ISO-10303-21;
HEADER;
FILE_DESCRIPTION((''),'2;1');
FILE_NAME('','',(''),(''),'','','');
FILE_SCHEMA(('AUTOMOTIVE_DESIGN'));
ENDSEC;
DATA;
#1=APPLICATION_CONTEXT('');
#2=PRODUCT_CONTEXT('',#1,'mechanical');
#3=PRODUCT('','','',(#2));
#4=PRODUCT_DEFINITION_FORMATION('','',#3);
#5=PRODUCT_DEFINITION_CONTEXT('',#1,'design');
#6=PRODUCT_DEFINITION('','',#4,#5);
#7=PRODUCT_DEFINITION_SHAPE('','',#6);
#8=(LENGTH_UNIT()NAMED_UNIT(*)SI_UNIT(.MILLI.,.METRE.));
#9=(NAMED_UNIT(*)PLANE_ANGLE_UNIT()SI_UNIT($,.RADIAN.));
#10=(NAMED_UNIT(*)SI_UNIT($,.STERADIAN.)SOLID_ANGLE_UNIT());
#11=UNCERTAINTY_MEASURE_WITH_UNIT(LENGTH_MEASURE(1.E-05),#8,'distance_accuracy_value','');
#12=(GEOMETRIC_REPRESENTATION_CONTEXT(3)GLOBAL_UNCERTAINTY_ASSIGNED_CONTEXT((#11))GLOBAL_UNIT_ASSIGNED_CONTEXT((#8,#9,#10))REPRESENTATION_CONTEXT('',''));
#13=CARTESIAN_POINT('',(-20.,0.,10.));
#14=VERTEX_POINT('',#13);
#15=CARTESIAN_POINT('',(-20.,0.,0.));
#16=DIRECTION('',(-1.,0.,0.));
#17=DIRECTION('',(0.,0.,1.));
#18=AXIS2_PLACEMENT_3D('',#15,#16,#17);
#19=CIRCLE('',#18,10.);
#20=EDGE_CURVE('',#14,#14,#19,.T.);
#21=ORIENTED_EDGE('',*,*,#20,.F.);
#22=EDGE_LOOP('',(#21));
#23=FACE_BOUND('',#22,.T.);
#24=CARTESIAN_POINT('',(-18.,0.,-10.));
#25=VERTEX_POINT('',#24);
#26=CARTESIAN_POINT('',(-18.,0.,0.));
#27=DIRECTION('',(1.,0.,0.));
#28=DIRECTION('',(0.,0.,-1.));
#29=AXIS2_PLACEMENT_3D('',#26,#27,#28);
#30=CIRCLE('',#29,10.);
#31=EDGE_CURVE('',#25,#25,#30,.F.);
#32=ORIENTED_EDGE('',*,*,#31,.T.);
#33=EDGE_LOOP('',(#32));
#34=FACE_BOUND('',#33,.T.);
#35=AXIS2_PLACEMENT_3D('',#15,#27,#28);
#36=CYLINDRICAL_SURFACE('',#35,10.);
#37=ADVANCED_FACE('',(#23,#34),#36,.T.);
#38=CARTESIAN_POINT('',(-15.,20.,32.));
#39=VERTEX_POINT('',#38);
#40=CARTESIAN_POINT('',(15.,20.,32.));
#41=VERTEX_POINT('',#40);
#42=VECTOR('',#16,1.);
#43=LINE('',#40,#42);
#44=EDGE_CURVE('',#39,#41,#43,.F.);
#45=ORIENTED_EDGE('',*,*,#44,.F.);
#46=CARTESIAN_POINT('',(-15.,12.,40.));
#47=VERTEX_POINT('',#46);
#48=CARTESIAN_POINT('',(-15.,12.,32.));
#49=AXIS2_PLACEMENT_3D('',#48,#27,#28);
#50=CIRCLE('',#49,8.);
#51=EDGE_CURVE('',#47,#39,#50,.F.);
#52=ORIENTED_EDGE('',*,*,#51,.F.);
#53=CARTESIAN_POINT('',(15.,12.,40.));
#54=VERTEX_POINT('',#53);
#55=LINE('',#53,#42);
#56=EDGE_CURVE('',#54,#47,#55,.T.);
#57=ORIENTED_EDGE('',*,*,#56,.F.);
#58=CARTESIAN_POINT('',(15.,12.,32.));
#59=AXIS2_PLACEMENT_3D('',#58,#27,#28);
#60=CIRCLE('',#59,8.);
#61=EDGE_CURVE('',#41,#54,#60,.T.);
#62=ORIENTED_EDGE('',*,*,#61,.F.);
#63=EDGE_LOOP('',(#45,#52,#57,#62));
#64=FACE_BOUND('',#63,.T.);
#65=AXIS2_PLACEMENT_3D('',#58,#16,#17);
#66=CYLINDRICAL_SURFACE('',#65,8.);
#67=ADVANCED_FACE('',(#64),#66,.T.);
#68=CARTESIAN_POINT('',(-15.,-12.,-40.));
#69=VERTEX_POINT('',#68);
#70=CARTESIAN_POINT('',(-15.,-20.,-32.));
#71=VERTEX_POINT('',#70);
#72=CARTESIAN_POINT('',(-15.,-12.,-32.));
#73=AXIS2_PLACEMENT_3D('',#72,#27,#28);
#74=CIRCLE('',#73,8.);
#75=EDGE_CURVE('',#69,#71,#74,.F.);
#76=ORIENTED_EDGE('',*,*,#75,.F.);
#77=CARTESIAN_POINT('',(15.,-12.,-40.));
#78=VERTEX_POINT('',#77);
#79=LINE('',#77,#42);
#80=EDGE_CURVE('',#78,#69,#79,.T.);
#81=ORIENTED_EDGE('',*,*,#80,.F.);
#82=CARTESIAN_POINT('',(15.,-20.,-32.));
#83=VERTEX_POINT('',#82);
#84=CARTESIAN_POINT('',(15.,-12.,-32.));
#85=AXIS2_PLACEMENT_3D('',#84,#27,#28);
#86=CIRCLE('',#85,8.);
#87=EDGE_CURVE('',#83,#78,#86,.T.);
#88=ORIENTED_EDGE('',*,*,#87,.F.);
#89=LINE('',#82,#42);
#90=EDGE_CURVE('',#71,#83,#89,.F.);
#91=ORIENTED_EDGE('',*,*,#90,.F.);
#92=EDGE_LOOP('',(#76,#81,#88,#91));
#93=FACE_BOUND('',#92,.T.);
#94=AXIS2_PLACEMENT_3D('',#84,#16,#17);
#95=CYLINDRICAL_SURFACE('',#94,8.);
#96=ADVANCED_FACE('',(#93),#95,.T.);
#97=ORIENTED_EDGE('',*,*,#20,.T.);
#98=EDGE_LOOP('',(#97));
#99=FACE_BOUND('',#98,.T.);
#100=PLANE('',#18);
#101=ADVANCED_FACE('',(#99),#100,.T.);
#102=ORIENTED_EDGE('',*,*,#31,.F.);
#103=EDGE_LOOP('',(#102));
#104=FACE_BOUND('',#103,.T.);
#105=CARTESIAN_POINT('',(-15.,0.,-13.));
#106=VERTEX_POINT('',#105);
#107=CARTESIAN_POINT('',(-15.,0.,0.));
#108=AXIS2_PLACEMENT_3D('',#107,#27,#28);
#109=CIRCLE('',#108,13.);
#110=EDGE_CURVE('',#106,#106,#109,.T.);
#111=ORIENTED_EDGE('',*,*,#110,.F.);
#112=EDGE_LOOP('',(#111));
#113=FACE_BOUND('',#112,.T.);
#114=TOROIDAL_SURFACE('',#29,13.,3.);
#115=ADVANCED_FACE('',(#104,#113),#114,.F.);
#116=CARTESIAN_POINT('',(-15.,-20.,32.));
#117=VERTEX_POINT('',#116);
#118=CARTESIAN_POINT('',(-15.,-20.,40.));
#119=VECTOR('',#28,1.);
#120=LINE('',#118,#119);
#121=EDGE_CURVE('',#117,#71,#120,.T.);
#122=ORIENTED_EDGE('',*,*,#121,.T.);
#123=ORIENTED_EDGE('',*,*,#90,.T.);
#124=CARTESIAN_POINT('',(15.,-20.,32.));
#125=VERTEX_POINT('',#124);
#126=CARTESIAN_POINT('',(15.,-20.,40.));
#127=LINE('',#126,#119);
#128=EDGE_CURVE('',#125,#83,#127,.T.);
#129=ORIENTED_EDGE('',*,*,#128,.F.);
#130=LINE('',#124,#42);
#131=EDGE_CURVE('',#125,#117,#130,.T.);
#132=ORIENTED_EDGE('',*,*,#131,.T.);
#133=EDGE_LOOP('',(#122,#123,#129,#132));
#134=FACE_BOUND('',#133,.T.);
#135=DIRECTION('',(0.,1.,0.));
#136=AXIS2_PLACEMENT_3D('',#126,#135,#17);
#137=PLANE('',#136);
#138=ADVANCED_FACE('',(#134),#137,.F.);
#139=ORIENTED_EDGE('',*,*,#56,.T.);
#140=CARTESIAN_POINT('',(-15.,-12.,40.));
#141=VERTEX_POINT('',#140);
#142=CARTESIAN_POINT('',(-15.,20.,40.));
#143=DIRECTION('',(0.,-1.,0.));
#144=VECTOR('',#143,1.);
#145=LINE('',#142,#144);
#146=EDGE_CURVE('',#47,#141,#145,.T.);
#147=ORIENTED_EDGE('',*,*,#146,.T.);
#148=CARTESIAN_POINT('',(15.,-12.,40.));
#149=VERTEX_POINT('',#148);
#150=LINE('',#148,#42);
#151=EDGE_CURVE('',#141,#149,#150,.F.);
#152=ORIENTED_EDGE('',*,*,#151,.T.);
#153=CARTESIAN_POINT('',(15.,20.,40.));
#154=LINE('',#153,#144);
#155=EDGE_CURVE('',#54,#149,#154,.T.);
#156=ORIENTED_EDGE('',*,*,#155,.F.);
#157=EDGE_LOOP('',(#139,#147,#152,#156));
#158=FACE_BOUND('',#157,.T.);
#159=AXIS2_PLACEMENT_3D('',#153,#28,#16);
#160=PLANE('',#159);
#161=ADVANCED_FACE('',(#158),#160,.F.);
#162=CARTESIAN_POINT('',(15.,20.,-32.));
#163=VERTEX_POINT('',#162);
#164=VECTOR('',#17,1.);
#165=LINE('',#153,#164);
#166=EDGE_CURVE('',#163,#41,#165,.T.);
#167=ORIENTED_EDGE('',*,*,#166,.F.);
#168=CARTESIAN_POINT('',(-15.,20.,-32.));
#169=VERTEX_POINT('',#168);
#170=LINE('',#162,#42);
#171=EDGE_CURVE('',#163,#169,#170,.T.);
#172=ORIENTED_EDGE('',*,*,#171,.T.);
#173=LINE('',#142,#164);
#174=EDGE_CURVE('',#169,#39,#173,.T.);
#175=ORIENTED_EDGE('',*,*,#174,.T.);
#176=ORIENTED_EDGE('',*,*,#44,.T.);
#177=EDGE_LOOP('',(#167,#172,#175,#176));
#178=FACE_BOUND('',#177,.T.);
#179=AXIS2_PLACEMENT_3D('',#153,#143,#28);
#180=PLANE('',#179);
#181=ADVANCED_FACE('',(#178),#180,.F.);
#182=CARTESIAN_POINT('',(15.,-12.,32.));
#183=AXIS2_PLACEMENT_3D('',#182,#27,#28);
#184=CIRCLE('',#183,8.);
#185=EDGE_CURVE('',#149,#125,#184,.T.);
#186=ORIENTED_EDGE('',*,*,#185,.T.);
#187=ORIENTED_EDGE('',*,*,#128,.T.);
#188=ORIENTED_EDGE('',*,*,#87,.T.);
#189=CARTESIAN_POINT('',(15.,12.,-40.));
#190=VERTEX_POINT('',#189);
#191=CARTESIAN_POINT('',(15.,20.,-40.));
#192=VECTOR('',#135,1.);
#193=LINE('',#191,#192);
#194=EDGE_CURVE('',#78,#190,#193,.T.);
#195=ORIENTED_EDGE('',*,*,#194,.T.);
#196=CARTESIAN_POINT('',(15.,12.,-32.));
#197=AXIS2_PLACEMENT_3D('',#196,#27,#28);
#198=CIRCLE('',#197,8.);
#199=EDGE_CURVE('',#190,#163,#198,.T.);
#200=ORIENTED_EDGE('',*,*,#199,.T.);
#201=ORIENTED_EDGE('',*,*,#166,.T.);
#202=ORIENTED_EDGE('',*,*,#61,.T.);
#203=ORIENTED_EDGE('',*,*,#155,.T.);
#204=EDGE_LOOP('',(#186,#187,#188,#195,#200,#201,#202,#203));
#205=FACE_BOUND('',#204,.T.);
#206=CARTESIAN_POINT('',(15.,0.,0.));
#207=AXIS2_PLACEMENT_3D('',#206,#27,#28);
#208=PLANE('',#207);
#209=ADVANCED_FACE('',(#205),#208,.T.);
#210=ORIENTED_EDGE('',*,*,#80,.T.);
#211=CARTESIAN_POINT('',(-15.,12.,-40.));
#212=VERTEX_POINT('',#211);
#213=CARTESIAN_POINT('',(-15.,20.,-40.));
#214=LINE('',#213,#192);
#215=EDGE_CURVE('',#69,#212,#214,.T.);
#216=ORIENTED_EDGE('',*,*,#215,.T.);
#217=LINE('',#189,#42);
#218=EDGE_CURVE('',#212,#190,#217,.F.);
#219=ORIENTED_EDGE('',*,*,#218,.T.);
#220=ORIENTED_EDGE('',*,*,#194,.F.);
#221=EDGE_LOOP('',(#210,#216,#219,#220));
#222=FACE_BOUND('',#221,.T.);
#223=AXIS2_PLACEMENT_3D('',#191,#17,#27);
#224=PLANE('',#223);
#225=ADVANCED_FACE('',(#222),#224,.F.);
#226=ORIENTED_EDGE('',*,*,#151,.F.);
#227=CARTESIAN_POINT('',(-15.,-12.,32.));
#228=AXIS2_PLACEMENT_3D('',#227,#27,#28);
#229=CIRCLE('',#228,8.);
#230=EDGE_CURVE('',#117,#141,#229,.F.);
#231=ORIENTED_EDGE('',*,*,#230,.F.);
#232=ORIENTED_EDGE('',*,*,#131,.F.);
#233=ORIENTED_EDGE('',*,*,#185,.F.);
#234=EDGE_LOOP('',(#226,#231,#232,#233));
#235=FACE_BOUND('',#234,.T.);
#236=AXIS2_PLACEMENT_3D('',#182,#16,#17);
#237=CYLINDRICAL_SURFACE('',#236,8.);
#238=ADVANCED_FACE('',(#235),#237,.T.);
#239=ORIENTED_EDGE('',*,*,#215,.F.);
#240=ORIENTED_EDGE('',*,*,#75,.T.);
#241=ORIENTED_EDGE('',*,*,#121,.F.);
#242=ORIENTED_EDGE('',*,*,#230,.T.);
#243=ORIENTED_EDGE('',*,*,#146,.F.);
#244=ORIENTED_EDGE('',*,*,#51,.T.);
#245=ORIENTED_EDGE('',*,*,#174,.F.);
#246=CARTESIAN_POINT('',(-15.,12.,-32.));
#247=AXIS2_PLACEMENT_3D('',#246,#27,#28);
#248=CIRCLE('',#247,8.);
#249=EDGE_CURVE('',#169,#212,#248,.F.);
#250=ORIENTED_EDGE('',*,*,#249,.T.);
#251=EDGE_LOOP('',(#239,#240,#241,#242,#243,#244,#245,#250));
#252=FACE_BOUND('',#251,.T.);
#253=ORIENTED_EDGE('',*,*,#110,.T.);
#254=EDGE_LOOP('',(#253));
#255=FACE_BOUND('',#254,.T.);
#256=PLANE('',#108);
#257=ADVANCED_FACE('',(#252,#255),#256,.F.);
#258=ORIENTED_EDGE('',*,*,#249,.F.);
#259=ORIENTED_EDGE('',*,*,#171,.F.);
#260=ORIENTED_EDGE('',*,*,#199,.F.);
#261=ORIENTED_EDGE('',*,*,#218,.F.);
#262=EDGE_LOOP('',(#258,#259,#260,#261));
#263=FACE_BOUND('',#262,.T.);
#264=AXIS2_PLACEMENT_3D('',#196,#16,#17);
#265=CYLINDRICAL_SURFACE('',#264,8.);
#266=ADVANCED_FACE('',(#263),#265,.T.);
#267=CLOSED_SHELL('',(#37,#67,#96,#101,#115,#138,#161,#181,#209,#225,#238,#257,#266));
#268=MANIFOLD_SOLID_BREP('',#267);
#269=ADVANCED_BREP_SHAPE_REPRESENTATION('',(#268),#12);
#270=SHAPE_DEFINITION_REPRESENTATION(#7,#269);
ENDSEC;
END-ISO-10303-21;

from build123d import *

# Parameters (mm, degrees)
SKETCH1_W           = 80
SKETCH1_H           = 40
BOSS_EXTRUDE1_DEPTH = 15
FILLET1_R           = 8
SKETCH2_R           = 10
BOSS_EXTRUDE2_DEPTH = 5
FILLET2_R           = 3


with BuildPart() as part:
    # Sketch1 → Boss-Extrude1 (new body, symmetric)
    with BuildSketch(Plane(origin=(0, 0, 0), x_dir=(0, 0, -1), z_dir=(1, 0, 0))):
        Rectangle(SKETCH1_W, SKETCH1_H)
    extrude(amount=BOSS_EXTRUDE1_DEPTH, both=True)

    # Fillet1
    fillet1_edges = [part.edges().sort_by_distance(p)[0] for p in [
        (0, -20, -40),
        (0, -20, 40),
        (0, 20, 40),
        (0, 20, -40),
    ]]
    fillet(fillet1_edges, radius=FILLET1_R)

    # Sketch2 → Boss-Extrude2 (add)
    with BuildSketch(Plane.ZY.offset(15)):
        Circle(SKETCH2_R)
    extrude(amount=BOSS_EXTRUDE2_DEPTH)

    # Fillet2
    fillet2_edges = [part.edges().sort_by_distance(p)[0] for p in [
        (-15, 0, -10),
    ]]
    fillet(fillet2_edges, radius=FILLET2_R)


solid = part.part
